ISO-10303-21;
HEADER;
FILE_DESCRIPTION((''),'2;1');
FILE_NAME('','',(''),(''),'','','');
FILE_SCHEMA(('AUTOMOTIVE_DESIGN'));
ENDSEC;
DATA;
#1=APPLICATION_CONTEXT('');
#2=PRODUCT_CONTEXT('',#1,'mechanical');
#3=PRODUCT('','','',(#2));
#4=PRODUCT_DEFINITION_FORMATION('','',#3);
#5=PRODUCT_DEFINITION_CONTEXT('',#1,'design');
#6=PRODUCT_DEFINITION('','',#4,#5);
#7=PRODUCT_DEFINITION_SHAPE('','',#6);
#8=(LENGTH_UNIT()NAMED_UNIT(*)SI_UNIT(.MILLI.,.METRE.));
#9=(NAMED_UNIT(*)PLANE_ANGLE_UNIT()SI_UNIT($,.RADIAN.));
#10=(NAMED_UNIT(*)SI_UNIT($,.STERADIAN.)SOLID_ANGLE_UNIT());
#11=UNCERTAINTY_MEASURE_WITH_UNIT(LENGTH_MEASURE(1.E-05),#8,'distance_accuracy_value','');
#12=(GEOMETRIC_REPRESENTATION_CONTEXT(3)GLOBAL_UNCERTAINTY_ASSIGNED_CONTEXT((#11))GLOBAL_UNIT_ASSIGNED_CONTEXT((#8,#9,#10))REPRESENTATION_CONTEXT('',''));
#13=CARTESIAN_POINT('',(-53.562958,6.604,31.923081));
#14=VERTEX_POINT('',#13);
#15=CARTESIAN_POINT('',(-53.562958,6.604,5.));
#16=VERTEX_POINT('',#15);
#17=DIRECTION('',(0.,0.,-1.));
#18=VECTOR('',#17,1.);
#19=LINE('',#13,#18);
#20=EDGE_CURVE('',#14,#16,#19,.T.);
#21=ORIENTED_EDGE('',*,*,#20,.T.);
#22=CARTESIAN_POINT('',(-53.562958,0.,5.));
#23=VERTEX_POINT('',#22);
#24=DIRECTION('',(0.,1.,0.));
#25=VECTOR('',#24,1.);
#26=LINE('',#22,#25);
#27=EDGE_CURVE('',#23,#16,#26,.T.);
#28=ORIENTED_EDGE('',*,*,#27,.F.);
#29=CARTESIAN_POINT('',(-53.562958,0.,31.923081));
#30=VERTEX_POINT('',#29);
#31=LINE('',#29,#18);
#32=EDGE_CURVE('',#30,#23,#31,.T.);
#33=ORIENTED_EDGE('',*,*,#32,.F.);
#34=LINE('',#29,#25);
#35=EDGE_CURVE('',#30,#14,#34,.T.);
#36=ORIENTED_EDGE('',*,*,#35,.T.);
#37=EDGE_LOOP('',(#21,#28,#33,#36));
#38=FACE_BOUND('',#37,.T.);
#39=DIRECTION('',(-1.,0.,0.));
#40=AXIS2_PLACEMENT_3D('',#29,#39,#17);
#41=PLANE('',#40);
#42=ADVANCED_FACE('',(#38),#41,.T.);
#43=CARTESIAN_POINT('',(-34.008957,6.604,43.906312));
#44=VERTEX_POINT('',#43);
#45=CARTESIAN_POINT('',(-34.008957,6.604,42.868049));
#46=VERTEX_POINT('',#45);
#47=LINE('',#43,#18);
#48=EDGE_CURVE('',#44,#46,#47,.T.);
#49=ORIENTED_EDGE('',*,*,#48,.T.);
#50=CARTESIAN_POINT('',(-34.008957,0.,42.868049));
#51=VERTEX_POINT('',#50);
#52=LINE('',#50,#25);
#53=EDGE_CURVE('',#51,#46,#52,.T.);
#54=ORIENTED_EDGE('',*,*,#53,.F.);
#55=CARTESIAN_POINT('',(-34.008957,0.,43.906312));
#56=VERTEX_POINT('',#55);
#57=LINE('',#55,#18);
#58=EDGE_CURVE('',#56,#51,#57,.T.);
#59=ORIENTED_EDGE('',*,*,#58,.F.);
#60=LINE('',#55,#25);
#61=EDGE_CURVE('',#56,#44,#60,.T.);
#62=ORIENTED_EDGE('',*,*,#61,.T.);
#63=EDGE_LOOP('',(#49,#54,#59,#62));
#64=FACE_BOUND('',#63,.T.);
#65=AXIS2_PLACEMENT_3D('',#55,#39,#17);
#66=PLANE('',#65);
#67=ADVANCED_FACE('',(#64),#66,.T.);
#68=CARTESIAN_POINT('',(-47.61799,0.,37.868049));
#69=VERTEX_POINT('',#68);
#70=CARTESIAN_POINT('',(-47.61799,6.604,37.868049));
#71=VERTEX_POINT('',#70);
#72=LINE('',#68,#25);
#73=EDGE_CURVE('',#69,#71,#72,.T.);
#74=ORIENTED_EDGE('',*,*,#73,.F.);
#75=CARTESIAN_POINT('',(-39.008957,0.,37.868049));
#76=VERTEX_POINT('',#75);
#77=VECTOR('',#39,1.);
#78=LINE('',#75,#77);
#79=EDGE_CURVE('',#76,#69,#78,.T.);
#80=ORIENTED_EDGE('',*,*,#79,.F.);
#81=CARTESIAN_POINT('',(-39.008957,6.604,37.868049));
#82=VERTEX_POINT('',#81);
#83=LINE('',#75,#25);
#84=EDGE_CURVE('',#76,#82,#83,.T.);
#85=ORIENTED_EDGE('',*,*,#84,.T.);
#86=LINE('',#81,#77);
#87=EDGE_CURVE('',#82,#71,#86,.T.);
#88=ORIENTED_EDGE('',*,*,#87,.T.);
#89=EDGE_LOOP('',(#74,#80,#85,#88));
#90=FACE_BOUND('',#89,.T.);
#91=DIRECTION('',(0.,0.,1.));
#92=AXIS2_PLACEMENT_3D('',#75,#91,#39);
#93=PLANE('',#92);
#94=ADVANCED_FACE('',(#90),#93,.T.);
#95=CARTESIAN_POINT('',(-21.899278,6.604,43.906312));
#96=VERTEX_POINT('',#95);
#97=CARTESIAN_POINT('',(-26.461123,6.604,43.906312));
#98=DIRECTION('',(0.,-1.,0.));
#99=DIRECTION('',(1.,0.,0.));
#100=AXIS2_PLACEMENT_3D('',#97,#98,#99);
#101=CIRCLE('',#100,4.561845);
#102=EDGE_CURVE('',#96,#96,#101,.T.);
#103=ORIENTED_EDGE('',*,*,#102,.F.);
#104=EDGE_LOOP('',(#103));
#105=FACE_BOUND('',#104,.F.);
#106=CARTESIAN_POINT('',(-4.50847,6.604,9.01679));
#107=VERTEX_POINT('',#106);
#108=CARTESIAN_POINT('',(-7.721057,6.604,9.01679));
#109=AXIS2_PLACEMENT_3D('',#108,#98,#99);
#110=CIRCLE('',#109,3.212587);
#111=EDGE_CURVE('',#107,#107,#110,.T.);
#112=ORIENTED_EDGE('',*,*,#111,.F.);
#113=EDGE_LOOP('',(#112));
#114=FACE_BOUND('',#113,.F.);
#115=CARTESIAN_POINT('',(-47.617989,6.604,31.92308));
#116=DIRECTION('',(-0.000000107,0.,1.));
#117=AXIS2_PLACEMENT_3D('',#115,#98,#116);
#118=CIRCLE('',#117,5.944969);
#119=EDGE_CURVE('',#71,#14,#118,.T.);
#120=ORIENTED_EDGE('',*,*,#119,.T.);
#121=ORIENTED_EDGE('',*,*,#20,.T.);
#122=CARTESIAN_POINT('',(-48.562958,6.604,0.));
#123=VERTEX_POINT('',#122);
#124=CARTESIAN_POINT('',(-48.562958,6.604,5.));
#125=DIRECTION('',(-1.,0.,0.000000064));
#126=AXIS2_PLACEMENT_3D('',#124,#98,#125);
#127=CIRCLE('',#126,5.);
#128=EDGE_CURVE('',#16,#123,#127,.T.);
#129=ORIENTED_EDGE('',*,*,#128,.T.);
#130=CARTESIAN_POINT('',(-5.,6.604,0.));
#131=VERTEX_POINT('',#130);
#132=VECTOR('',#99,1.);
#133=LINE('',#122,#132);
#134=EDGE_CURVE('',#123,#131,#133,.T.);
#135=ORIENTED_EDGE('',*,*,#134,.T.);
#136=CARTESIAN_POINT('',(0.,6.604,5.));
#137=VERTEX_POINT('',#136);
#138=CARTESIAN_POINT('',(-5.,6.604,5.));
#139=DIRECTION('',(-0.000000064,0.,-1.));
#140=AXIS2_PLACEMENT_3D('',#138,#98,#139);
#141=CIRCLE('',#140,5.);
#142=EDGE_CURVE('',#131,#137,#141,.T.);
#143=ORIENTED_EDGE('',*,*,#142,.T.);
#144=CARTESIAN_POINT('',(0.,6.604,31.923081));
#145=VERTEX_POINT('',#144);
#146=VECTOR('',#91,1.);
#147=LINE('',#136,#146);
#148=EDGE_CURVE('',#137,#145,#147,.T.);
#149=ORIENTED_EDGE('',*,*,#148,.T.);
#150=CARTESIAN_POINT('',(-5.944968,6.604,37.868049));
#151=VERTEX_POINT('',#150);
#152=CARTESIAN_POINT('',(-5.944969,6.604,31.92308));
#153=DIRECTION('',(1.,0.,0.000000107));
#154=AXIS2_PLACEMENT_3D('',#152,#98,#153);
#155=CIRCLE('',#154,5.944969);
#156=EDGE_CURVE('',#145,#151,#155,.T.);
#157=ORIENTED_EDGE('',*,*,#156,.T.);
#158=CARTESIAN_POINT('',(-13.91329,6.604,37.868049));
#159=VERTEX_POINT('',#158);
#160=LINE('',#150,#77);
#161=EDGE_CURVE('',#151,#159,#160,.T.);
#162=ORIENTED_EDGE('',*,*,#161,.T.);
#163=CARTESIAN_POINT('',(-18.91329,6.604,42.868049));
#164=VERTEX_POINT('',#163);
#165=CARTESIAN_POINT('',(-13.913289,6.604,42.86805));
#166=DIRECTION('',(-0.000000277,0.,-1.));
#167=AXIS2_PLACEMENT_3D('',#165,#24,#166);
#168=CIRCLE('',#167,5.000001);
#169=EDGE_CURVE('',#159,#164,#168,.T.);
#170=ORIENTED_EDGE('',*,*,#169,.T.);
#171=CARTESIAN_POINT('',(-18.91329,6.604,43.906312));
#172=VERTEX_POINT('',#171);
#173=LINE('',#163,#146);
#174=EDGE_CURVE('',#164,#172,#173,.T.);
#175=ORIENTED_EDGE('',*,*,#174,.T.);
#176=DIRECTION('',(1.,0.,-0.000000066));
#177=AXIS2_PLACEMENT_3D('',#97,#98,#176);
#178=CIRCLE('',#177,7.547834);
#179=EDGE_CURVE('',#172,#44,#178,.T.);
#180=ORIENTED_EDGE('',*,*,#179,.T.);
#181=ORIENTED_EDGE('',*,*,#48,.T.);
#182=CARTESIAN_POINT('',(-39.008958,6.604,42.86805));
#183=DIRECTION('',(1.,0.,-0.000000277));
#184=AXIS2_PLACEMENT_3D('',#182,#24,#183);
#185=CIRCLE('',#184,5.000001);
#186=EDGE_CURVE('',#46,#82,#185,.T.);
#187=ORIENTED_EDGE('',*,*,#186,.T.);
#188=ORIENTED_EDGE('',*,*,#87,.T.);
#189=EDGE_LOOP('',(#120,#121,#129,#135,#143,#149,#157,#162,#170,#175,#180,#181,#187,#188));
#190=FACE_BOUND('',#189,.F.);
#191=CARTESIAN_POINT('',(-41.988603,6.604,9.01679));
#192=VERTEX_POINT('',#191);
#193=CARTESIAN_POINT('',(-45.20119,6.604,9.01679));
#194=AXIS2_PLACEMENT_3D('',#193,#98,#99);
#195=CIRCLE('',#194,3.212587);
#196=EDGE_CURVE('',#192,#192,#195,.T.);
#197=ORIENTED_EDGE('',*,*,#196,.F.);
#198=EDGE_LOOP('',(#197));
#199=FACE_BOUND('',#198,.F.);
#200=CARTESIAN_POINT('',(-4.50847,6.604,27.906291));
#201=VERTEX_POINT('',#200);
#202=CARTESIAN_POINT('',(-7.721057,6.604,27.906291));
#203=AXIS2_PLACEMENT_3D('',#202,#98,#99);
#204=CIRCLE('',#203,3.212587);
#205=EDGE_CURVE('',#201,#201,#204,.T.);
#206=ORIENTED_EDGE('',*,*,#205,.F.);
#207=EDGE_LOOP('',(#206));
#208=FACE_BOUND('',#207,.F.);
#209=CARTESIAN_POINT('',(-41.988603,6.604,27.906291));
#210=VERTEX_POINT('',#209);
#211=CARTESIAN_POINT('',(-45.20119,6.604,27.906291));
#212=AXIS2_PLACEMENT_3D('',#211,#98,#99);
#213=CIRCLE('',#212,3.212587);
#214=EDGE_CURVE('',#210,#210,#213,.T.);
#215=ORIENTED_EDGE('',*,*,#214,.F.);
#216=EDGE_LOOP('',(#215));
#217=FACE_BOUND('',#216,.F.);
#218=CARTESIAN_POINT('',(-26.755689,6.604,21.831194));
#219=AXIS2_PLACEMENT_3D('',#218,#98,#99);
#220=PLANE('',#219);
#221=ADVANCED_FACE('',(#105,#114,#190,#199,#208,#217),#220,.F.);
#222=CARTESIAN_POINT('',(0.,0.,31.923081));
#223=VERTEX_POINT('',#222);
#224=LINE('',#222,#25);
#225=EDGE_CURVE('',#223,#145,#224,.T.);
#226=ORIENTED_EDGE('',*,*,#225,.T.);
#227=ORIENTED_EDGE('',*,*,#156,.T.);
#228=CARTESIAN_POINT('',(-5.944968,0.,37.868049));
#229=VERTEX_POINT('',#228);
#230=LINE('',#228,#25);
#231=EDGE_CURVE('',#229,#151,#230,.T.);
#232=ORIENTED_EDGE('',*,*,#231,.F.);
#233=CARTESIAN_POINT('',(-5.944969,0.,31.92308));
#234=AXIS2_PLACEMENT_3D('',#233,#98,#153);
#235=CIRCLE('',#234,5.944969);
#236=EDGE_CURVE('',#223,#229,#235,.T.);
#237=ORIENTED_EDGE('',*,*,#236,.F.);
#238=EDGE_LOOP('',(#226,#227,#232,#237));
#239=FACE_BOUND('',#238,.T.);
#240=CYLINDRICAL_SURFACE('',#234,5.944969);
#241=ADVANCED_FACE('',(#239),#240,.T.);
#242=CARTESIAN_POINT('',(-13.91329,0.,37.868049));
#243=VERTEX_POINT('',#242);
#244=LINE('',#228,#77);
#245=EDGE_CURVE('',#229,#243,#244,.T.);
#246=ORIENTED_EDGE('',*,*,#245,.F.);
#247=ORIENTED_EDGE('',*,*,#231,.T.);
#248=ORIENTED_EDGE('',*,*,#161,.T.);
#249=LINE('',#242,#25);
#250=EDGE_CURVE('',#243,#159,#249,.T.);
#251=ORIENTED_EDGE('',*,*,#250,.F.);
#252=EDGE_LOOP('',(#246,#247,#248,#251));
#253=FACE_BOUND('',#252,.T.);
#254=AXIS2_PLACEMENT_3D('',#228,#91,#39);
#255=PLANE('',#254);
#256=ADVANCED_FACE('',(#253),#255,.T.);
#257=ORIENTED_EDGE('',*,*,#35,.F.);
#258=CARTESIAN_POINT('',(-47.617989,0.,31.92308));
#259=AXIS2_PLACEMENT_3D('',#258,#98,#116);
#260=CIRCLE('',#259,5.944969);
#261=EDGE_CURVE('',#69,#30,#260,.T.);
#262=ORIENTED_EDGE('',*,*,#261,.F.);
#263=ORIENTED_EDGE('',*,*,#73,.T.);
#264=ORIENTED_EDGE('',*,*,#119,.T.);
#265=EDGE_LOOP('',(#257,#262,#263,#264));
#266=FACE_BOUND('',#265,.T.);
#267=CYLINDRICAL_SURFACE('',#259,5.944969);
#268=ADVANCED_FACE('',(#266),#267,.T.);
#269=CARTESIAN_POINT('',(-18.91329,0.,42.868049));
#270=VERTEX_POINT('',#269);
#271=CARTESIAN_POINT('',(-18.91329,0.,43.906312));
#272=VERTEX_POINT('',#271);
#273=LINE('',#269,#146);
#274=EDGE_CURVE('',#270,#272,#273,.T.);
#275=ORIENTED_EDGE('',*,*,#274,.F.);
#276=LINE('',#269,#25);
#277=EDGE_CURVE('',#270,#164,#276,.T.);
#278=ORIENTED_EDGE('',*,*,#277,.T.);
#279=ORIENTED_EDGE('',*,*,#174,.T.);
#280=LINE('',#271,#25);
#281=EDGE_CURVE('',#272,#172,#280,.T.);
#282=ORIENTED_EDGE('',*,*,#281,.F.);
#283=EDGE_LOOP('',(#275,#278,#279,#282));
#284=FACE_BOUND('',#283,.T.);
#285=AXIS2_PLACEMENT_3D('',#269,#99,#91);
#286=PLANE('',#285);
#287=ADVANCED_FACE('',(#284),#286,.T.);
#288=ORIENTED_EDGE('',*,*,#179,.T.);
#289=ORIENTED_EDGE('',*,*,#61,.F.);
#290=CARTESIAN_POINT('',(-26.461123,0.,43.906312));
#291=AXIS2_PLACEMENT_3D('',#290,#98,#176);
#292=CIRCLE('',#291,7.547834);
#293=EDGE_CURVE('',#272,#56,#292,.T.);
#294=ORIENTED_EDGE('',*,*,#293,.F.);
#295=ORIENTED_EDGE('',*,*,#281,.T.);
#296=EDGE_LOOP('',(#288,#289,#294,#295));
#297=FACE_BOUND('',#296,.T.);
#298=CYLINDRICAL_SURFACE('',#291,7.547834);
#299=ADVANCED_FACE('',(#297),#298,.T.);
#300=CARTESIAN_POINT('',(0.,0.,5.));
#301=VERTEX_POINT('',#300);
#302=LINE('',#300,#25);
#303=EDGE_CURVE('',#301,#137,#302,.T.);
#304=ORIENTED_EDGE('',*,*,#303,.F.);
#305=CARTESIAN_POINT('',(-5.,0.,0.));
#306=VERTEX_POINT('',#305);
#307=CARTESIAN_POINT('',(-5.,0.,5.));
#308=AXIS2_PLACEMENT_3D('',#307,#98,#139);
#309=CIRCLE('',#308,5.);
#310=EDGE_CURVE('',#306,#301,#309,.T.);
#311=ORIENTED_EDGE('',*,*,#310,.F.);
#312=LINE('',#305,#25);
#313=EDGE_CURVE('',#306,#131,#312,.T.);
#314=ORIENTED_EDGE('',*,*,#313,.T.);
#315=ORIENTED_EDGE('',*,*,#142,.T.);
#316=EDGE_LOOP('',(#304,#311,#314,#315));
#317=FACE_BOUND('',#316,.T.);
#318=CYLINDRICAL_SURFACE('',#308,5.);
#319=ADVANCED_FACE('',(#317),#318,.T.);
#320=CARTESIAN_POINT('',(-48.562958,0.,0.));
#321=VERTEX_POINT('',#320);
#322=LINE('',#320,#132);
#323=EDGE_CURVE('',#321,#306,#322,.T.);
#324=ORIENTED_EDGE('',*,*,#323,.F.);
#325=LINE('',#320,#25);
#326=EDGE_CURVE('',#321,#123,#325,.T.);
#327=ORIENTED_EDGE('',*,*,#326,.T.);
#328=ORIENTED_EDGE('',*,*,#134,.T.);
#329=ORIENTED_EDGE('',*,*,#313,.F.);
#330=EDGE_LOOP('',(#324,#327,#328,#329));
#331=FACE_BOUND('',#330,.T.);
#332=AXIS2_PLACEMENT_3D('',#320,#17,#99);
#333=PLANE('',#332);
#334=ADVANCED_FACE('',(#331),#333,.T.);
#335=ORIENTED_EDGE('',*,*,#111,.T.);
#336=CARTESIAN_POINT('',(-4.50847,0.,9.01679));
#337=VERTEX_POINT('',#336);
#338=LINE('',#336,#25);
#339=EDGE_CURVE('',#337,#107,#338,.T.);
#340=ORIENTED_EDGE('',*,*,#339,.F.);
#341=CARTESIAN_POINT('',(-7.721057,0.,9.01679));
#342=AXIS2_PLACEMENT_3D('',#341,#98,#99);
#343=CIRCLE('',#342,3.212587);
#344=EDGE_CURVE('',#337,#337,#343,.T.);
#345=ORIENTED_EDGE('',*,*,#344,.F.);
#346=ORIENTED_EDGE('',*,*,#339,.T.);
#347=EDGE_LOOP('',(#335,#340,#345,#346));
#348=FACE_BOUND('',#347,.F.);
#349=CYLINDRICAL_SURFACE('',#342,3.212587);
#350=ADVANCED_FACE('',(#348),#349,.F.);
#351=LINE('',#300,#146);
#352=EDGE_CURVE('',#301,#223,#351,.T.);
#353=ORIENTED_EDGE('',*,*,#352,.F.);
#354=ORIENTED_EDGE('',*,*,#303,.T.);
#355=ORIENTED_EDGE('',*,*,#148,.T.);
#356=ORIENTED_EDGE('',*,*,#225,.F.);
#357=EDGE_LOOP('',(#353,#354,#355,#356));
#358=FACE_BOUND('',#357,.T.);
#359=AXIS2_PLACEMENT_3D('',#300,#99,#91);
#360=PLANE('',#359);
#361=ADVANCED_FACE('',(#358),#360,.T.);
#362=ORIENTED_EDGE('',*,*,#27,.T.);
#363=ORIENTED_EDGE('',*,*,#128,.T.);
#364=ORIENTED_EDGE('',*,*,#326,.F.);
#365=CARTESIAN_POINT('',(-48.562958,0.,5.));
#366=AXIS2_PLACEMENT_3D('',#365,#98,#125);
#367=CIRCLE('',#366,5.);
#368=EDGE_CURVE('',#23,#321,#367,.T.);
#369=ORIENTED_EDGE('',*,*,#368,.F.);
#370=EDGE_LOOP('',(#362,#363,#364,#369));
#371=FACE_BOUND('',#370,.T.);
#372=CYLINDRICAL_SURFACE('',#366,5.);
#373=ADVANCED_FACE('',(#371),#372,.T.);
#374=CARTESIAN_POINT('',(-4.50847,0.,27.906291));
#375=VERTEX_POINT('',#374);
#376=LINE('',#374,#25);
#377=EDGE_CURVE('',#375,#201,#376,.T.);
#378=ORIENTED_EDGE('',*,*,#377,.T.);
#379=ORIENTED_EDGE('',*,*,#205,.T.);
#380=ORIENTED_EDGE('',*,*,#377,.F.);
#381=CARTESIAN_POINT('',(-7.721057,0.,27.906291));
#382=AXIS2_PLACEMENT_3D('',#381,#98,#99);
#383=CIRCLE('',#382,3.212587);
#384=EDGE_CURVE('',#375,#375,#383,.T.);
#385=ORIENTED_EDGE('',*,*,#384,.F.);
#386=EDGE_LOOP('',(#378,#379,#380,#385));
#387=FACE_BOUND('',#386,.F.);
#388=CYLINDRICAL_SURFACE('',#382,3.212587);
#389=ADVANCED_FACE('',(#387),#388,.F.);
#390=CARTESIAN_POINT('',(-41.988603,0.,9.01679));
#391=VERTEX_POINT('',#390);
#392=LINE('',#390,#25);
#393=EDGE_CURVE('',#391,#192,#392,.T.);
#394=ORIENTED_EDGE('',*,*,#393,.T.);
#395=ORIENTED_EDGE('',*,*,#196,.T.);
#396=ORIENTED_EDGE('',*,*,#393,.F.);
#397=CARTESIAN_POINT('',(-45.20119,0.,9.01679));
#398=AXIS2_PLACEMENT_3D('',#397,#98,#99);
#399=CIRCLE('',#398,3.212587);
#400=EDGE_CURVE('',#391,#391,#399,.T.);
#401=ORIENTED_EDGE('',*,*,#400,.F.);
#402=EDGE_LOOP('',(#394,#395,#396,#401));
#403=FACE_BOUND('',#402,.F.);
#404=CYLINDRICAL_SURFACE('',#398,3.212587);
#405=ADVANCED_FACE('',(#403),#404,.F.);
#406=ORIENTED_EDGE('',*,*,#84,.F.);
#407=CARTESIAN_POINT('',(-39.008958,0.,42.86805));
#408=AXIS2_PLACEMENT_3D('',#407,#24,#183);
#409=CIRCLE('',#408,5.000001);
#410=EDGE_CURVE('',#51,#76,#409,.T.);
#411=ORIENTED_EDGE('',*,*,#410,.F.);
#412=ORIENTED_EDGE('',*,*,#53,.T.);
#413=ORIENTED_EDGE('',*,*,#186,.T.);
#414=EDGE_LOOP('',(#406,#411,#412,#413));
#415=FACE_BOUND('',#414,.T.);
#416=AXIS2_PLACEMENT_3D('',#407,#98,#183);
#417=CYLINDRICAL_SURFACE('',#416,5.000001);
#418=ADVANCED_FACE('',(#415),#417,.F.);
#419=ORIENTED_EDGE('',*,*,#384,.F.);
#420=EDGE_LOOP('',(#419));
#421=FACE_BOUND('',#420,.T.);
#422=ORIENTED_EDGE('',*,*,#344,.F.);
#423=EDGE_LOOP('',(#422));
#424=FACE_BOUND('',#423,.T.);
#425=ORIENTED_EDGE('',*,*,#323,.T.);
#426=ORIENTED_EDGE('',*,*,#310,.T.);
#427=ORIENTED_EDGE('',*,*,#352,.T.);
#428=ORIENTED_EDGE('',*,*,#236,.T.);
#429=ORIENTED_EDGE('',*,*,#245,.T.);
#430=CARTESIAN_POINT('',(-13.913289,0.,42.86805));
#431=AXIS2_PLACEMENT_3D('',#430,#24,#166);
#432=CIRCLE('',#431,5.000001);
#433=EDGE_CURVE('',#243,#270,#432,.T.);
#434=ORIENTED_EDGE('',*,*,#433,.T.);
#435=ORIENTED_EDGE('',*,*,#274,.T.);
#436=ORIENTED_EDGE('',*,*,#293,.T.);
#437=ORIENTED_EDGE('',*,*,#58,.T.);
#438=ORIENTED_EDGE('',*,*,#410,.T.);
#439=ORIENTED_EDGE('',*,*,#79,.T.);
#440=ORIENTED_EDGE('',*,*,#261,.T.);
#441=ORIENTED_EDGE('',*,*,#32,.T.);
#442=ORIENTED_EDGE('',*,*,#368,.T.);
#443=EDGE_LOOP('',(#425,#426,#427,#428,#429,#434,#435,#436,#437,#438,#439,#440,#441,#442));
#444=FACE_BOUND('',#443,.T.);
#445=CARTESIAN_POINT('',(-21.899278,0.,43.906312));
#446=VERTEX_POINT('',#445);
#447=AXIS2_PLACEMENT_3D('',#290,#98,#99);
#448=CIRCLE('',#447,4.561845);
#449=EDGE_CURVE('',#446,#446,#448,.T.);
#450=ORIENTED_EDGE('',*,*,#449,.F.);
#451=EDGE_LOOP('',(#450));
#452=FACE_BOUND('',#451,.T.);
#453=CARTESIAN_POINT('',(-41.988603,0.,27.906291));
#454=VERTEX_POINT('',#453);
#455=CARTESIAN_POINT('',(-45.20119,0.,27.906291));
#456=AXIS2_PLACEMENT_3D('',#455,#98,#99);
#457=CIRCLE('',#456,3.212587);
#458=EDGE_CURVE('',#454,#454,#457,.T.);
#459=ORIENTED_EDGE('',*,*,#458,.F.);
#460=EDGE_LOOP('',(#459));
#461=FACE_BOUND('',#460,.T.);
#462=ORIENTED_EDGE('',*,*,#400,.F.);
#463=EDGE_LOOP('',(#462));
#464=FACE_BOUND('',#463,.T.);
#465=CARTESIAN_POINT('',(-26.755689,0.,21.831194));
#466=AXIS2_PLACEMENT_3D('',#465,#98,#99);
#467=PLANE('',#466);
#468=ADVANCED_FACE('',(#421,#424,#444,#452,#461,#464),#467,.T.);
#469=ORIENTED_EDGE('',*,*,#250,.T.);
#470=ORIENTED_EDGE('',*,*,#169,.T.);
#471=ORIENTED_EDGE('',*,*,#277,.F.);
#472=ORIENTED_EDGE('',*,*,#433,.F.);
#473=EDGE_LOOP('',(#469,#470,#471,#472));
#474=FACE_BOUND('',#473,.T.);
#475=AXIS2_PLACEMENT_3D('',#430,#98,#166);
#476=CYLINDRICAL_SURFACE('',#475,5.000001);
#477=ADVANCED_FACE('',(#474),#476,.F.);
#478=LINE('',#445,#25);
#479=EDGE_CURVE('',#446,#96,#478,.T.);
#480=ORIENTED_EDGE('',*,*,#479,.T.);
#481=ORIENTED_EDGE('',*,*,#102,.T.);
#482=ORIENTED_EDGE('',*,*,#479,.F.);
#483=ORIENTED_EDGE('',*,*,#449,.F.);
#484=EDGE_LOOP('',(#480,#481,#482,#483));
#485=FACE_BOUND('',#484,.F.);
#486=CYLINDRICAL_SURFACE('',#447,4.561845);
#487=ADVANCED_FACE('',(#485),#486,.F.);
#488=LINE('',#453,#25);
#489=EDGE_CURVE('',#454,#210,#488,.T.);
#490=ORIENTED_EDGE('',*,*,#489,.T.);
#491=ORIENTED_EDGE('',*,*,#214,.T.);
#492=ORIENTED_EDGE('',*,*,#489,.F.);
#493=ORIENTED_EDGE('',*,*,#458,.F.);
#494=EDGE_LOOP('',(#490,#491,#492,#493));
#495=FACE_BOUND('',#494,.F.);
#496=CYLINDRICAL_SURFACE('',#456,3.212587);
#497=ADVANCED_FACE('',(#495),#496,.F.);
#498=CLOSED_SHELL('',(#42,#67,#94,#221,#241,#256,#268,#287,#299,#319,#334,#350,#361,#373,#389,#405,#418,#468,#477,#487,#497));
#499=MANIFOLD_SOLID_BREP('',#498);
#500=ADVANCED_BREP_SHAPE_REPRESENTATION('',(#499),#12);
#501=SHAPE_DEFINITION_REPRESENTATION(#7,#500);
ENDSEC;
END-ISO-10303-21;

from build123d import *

# Parameters (mm, degrees)
F0_R     = 3.212587
F0_R_2   = 4.561845
F1_DEPTH = 6.604


with BuildPart() as f1:
    # F0 (on Front) → F1 (new body)
    with BuildSketch(Plane.XZ):
        with BuildLine():
            Line((-48.562958, 0), (-5, 0))
            ThreePointArc((-5, 0), (-1.464466, 1.464466), (0, 5))
            Line((0, 5), (0, 31.923081))
            ThreePointArc((0, 31.923081), (-1.741241, 36.126808), (-5.944968, 37.868049))
            Line((-5.944968, 37.868049), (-13.91329, 37.868049))
            ThreePointArc((-13.91329, 37.868049), (-17.448823, 39.332515), (-18.91329, 42.868049))
            Line((-18.91329, 42.868049), (-18.91329, 43.906312))
            ThreePointArc((-18.91329, 43.906312), (-26.461123, 51.454146), (-34.008957, 43.906312))
            Line((-34.008957, 43.906312), (-34.008957, 42.868049))
            ThreePointArc((-34.008957, 42.868049), (-35.473424, 39.332515), (-39.008957, 37.868049))
            Line((-39.008957, 37.868049), (-47.61799, 37.868049))
            ThreePointArc((-47.61799, 37.868049), (-51.821717, 36.126808), (-53.562958, 31.923081))
            Line((-53.562958, 31.923081), (-53.562958, 5))
            ThreePointArc((-53.562958, 5), (-52.098492, 1.464466), (-48.562958, 0))
        make_face()
        with Locations((-45.20119, 9.01679)):
            Circle(F0_R, mode=Mode.SUBTRACT)
        with Locations((-7.721057, 9.01679)):
            Circle(F0_R, mode=Mode.SUBTRACT)
        with Locations((-45.20119, 27.906291)):
            Circle(F0_R, mode=Mode.SUBTRACT)
        with Locations((-7.721057, 27.906291)):
            Circle(F0_R, mode=Mode.SUBTRACT)
        with Locations((-26.461123, 43.906312)):
            Circle(F0_R_2, mode=Mode.SUBTRACT)
    extrude(amount=-F1_DEPTH)


solid = f1.part
